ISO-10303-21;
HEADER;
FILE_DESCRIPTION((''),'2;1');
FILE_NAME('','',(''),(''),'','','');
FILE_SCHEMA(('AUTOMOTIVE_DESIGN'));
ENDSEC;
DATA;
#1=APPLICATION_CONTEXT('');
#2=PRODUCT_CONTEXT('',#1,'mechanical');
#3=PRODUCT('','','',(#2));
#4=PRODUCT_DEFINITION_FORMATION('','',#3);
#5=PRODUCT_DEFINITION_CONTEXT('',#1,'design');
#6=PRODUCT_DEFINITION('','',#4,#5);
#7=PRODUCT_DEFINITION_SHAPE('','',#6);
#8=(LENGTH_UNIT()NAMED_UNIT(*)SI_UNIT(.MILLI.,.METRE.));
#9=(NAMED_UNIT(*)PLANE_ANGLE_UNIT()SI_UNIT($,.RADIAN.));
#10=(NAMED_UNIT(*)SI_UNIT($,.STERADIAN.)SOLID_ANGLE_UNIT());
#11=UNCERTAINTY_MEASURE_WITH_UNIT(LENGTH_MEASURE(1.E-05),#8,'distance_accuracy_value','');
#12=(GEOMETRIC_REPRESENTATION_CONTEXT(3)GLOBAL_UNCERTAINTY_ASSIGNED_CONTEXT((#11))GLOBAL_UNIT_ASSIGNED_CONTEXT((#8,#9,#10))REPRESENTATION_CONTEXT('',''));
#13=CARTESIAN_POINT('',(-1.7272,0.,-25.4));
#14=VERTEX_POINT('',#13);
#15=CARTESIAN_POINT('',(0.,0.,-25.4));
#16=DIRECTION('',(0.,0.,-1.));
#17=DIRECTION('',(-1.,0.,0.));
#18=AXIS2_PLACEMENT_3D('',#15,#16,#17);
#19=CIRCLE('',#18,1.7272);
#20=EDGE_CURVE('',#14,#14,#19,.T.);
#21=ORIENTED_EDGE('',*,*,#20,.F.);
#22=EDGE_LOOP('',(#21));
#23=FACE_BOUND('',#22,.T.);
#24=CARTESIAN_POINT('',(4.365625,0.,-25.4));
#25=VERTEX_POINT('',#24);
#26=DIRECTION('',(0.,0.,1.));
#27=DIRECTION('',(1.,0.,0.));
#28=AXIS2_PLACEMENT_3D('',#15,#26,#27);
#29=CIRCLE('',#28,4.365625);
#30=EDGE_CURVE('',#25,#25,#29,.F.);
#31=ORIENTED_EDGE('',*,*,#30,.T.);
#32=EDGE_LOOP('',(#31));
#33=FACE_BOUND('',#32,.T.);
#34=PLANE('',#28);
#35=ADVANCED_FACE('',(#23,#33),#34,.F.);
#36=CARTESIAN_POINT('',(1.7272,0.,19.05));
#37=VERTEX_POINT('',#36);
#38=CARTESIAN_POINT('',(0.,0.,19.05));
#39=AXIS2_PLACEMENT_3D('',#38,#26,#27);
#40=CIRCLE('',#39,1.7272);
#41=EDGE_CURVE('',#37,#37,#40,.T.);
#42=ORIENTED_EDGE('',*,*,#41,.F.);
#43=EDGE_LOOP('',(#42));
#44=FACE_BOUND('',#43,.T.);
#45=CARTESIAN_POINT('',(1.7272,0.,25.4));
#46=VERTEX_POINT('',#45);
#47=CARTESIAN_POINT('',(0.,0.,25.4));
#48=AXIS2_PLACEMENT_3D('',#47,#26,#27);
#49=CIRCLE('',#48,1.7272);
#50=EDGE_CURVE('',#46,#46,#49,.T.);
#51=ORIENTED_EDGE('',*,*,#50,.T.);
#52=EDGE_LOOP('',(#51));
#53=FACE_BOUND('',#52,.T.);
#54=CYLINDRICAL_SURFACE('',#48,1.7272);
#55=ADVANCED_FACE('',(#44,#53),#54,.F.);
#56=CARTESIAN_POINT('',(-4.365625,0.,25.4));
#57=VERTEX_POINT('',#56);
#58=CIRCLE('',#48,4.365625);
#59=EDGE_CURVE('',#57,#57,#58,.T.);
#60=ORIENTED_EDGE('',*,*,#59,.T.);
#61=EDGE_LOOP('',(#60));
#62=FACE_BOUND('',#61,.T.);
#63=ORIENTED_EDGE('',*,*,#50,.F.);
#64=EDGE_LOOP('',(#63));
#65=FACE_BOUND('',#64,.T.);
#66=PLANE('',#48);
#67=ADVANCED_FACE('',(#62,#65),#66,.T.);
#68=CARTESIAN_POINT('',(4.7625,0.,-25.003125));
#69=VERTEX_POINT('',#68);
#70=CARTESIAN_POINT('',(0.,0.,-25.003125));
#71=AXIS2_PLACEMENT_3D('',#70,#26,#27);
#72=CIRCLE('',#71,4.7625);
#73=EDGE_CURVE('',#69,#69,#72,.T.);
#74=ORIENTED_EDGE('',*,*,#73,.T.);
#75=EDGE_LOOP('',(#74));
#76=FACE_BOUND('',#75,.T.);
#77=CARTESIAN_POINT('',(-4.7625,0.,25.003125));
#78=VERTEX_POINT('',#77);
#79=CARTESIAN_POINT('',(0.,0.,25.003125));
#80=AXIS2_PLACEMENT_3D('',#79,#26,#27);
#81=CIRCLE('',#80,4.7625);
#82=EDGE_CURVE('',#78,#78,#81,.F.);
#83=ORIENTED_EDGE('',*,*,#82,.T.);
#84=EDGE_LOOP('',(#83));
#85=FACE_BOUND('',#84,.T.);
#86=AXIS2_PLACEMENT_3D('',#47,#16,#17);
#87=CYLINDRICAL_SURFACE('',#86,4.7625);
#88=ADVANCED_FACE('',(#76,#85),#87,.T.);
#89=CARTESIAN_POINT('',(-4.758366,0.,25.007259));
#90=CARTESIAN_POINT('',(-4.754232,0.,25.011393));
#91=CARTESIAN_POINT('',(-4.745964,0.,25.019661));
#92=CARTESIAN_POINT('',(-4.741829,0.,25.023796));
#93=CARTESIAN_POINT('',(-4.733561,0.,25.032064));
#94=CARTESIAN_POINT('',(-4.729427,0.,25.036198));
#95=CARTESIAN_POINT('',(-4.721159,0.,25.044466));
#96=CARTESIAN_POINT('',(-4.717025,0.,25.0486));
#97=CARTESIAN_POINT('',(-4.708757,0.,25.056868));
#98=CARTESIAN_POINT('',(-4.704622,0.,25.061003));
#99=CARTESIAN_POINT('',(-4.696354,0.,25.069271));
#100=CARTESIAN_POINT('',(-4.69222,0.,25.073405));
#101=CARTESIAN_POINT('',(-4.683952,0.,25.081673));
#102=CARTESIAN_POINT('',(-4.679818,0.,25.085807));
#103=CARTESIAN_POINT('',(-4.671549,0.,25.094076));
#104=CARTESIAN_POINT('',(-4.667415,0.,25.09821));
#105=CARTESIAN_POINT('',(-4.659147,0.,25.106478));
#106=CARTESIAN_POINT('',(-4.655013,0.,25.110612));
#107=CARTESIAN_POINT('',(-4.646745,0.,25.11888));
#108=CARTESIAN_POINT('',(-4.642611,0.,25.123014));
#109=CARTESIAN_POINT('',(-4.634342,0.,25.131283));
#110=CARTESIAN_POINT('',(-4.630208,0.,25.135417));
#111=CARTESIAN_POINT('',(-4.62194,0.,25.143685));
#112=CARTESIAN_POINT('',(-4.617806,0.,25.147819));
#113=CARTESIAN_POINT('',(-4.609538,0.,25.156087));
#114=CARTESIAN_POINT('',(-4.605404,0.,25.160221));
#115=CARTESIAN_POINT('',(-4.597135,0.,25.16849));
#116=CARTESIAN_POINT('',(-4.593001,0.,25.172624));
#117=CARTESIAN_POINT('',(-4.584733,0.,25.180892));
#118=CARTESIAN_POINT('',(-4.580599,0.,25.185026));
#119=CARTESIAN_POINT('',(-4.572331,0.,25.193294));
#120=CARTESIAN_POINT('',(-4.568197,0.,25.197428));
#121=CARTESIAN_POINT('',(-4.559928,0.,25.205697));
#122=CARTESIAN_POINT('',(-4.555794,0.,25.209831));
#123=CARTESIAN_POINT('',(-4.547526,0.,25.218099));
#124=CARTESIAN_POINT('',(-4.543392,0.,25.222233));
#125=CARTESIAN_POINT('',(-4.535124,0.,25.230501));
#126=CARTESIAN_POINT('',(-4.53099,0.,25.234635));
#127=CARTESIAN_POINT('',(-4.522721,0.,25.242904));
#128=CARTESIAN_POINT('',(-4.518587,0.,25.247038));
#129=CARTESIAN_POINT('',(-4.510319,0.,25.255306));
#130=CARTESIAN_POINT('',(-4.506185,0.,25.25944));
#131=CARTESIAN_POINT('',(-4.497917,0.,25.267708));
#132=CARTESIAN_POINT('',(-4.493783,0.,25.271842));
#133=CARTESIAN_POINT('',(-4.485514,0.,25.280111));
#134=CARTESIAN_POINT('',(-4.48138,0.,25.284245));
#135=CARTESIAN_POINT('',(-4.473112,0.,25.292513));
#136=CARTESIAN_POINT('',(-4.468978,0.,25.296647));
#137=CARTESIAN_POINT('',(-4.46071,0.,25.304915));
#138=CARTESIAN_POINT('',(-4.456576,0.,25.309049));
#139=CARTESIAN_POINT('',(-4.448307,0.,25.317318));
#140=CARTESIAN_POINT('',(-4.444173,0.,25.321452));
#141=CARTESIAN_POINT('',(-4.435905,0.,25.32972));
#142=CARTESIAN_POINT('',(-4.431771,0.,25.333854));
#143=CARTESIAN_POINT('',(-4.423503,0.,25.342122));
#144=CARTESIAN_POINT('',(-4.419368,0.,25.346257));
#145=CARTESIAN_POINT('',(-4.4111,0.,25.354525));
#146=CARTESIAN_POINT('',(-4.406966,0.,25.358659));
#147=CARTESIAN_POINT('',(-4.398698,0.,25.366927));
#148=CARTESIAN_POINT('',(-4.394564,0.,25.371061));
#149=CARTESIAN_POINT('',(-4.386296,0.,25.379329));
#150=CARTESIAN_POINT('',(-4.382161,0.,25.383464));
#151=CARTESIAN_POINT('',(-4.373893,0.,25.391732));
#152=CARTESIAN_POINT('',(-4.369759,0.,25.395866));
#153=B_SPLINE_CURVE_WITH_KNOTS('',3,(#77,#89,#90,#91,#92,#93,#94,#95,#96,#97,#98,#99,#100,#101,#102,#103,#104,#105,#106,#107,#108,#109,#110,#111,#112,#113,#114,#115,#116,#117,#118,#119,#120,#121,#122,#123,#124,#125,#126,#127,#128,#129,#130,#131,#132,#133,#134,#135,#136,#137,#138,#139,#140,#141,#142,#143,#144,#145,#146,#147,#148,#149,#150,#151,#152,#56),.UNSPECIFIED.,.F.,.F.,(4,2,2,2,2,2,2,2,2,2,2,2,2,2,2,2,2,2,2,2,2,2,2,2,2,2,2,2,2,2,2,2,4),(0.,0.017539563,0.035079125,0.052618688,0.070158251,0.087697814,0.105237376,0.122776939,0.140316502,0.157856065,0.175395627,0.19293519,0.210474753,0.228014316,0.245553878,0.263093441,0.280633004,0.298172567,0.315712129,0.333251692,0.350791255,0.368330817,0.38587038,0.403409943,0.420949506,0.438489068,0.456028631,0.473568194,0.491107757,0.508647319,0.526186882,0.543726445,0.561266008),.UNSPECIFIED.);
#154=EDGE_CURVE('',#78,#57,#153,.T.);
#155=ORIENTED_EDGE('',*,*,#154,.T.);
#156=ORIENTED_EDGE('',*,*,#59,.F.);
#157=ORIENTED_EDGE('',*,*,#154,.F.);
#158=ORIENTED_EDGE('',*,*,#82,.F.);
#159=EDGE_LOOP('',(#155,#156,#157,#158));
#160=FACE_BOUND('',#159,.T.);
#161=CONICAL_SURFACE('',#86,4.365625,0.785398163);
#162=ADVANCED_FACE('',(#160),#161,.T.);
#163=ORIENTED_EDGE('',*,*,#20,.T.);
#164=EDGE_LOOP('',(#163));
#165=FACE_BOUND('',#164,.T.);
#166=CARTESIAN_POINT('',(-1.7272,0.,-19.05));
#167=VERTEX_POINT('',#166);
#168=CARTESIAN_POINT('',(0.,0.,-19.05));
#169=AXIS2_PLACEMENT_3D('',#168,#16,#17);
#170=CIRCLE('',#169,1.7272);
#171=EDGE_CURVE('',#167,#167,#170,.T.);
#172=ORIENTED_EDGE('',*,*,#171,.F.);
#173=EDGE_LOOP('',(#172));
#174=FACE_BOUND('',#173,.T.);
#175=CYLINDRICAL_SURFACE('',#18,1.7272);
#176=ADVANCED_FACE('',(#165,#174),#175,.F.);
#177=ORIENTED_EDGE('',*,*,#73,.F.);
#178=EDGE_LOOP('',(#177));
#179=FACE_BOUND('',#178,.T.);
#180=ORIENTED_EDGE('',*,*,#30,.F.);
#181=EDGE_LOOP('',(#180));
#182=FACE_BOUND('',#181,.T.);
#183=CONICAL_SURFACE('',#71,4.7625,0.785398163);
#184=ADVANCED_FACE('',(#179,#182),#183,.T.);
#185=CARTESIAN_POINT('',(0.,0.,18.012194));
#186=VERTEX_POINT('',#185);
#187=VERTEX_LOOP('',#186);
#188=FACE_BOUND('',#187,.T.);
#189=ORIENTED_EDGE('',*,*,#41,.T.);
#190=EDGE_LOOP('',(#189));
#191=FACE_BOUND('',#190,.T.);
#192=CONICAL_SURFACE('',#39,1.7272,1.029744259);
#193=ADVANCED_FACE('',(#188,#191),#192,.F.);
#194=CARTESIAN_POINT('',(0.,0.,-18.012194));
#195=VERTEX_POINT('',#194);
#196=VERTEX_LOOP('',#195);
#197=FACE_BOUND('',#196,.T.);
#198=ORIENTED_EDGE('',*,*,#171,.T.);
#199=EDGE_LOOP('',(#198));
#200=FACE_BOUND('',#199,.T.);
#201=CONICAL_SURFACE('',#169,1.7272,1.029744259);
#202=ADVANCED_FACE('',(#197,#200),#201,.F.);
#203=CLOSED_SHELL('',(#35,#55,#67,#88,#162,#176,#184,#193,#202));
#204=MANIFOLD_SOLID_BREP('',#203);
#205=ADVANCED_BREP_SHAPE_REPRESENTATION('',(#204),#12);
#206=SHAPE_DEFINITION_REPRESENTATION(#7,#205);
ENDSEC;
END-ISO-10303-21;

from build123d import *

# Parameters (mm, degrees)
SKETCH1_R                               = 4.7625
BOSS_EXTRUDE1_DEPTH                     = 25.4
TAP_DRILL_FOR_8_32_TAP1_D               = 3.4544
TAP_DRILL_FOR_8_32_TAP1_DEPTH           = 6.35
TAP_DRILL_FOR_8_32_TAP1_TIP             = 1.037806461
TAP_DRILL_FOR_8_32_TAP1_ON_FACE_2_D     = 3.4544
TAP_DRILL_FOR_8_32_TAP1_ON_FACE_2_DEPTH = 6.35
TAP_DRILL_FOR_8_32_TAP1_ON_FACE_2_TIP   = 1.037806461
CHAMFER1_SIZE                           = 0.396875


with BuildPart() as part:
    # Sketch1 → Boss-Extrude1 (new, symmetric)
    with BuildSketch(Plane.XY):
        Circle(SKETCH1_R)
    extrude(amount=BOSS_EXTRUDE1_DEPTH, both=True)

    # Tap Drill for #8-32 Tap1
    with Locations(Plane.XY.offset(25.4)):
        with Locations((0, 0)):
            Hole(TAP_DRILL_FOR_8_32_TAP1_D / 2, depth=TAP_DRILL_FOR_8_32_TAP1_DEPTH)
            with Locations((0, 0, -(TAP_DRILL_FOR_8_32_TAP1_DEPTH + TAP_DRILL_FOR_8_32_TAP1_TIP / 2))):  # 118° drill point
                Cone(0, TAP_DRILL_FOR_8_32_TAP1_D / 2, TAP_DRILL_FOR_8_32_TAP1_TIP, mode=Mode.SUBTRACT)

    # Tap Drill for #8-32 Tap1 on face 2
    with Locations(Plane(origin=(0, 0, -25.4), x_dir=(-1, 0, 0), z_dir=(0, 0, -1))):
        with Locations((0, 0)):
            Hole(TAP_DRILL_FOR_8_32_TAP1_ON_FACE_2_D / 2, depth=TAP_DRILL_FOR_8_32_TAP1_ON_FACE_2_DEPTH)
            with Locations((0, 0, -(TAP_DRILL_FOR_8_32_TAP1_ON_FACE_2_DEPTH + TAP_DRILL_FOR_8_32_TAP1_ON_FACE_2_TIP / 2))):  # 118° drill point
                Cone(0, TAP_DRILL_FOR_8_32_TAP1_ON_FACE_2_D / 2, TAP_DRILL_FOR_8_32_TAP1_ON_FACE_2_TIP, mode=Mode.SUBTRACT)

    # Chamfer1
    chamfer1_edges = [part.edges().sort_by_distance(p)[0] for p in [
        (-4.7625, 0, -25.4),
        (-4.7625, 0, 25.4),
    ]]
    chamfer(chamfer1_edges, length=CHAMFER1_SIZE)


solid = part.part
